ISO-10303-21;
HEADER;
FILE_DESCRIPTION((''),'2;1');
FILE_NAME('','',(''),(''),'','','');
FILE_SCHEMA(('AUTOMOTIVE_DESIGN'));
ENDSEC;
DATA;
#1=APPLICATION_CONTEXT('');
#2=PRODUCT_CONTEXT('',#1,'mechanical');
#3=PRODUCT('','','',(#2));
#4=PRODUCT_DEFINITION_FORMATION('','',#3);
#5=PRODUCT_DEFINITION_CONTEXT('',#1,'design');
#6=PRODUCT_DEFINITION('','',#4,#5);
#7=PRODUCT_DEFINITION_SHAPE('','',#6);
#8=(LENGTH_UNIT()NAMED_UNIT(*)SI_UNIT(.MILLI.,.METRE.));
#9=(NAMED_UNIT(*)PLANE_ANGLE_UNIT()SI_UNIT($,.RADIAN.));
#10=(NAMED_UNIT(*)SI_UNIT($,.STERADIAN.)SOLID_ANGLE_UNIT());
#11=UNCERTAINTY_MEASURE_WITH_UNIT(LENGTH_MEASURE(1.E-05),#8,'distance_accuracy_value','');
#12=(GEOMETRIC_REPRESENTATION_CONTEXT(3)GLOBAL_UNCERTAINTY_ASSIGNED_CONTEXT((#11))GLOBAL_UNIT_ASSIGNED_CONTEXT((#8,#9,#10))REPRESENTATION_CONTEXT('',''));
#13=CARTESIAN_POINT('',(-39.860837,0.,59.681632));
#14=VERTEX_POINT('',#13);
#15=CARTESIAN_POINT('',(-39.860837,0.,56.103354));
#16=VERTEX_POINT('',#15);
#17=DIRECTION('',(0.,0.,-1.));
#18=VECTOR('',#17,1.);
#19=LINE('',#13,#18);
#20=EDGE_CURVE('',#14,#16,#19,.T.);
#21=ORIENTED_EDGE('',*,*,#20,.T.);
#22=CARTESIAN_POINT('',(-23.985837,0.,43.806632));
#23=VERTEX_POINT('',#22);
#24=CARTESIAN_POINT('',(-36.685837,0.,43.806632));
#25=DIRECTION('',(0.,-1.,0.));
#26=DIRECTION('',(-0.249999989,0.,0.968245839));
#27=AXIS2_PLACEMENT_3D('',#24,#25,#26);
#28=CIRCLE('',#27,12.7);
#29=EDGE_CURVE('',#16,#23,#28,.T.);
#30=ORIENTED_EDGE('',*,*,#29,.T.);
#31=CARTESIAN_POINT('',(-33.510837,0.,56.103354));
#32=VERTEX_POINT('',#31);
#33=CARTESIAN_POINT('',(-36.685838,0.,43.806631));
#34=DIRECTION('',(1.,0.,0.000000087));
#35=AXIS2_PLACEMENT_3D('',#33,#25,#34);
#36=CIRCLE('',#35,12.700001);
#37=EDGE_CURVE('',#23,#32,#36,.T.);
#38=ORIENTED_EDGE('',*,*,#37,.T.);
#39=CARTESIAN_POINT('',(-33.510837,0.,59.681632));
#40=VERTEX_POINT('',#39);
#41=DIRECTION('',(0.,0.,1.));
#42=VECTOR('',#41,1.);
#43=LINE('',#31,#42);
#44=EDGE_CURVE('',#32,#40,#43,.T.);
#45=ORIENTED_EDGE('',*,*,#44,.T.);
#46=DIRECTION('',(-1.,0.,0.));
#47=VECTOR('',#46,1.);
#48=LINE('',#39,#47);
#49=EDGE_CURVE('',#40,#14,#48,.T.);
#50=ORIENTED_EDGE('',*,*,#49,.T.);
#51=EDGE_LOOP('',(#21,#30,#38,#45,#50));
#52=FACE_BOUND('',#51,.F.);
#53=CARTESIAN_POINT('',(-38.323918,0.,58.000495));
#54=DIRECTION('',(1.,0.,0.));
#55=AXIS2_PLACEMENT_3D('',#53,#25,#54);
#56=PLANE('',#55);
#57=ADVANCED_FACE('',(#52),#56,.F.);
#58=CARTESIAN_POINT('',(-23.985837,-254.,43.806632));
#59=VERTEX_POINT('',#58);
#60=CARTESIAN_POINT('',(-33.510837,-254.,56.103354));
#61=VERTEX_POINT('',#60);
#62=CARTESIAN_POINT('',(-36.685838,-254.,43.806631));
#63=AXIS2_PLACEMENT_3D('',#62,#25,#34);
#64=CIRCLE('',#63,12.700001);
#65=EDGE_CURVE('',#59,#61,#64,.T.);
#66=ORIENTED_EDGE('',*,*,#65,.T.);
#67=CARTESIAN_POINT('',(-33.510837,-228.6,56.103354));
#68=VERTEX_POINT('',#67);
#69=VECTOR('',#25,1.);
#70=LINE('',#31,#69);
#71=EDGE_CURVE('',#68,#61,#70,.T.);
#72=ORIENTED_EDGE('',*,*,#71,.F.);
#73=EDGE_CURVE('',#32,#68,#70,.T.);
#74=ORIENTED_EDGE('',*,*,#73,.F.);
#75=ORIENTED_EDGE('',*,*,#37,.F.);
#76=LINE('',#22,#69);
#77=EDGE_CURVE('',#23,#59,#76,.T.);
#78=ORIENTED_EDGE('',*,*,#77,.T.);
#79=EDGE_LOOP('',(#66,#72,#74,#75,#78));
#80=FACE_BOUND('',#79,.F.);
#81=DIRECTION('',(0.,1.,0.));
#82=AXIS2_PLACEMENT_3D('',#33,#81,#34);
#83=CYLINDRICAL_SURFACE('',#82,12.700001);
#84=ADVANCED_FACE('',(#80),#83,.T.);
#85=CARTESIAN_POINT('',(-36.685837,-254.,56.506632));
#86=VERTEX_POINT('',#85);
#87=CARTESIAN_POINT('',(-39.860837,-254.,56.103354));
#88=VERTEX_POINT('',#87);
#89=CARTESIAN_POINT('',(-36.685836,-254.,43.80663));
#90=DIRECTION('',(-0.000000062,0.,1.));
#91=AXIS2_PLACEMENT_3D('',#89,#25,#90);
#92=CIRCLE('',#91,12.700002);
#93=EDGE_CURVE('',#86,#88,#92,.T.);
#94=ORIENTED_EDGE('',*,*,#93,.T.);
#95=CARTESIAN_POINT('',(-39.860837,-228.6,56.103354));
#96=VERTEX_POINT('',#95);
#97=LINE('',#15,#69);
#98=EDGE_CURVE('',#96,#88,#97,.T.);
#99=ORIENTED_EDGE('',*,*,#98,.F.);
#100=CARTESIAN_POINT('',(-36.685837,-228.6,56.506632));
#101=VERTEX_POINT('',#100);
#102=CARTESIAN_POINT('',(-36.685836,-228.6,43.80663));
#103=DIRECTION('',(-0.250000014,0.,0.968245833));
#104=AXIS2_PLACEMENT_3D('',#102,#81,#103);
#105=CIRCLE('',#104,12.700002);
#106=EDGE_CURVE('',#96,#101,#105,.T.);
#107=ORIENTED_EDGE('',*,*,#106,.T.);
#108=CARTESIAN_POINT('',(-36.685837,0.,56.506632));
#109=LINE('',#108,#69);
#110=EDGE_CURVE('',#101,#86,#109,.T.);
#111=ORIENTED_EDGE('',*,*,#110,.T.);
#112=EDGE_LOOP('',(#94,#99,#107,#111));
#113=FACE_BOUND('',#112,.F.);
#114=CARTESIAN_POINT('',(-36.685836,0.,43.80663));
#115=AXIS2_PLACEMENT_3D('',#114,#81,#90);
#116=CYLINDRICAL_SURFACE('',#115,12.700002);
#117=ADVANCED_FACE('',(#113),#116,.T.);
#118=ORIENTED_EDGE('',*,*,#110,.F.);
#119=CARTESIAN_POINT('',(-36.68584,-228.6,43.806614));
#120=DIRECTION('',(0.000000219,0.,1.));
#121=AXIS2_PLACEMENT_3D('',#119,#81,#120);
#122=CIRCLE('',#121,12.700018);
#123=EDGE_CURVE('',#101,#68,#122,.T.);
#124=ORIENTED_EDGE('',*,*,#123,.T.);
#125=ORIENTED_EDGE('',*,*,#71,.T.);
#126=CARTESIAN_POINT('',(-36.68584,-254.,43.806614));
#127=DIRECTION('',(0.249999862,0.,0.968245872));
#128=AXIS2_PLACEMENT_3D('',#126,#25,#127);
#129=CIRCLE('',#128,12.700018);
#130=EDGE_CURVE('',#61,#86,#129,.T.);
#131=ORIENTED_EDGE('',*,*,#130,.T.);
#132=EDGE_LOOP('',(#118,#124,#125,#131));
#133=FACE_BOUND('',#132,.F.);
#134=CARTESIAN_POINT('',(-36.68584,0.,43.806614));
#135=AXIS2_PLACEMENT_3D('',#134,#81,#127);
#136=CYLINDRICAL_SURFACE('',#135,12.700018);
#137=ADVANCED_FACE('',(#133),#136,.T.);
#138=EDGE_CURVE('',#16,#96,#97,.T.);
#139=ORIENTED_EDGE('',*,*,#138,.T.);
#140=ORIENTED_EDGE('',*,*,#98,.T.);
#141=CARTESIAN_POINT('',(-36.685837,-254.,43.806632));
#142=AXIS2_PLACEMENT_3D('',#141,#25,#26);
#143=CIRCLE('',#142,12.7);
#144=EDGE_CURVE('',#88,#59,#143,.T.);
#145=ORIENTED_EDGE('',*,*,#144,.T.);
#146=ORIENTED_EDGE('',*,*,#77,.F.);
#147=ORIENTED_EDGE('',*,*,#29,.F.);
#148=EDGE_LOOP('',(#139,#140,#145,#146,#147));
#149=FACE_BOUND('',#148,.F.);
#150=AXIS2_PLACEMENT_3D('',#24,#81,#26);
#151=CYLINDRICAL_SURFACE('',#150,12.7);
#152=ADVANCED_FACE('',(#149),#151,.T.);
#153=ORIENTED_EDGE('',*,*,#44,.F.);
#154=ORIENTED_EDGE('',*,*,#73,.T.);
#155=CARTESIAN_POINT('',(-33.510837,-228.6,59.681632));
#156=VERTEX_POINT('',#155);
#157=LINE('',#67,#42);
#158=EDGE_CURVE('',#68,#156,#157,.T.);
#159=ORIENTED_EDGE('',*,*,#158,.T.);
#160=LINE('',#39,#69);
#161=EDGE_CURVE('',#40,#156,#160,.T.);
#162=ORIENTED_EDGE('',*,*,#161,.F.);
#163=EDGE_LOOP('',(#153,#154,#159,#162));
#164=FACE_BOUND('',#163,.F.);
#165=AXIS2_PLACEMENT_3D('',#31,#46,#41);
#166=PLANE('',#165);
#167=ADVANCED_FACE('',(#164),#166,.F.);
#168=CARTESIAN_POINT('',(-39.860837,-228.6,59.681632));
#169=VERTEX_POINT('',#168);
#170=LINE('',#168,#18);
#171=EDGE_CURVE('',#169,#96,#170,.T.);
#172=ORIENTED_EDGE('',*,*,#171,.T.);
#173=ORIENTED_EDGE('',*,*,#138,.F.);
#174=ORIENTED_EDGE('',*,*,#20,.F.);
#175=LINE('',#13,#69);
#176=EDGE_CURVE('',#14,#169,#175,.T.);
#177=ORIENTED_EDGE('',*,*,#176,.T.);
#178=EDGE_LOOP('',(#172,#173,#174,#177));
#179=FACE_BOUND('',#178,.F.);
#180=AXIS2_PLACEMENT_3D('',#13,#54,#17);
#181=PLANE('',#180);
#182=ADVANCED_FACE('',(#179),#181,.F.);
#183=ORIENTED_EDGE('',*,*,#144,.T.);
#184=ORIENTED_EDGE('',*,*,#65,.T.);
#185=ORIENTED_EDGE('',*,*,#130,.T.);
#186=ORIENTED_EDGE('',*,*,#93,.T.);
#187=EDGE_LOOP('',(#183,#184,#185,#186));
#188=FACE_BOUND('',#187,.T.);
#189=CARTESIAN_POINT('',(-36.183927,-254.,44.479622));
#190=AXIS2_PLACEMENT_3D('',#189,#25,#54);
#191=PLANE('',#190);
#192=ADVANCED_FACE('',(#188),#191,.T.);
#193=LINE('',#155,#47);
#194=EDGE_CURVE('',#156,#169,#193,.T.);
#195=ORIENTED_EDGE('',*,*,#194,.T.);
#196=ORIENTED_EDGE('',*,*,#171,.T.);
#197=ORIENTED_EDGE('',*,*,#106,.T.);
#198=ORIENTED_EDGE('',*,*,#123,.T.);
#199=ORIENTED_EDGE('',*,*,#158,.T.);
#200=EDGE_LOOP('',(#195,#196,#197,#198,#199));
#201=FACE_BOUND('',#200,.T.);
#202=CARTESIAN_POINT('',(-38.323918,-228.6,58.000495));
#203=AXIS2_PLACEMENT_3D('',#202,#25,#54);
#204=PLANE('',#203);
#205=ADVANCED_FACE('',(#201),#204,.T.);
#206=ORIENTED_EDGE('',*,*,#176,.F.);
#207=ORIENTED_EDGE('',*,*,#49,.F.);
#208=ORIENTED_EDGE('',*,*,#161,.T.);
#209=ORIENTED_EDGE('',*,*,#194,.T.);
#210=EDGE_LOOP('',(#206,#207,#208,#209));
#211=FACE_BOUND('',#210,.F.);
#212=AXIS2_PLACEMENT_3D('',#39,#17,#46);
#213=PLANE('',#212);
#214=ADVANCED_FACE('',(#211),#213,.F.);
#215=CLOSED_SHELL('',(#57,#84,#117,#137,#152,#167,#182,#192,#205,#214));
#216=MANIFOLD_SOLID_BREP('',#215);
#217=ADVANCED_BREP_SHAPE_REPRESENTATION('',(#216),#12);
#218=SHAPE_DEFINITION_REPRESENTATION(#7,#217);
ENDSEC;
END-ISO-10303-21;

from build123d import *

# Parameters (mm, degrees)
F1_DEPTH = 254
F2_DEPTH = 228.6


with BuildPart() as f1:
    # F0 (on Front) → F1 (new body)
    with BuildSketch(Plane.XZ):
        with BuildLine():
            ThreePointArc((-39.860837, 56.103354), (-44.462967, 33.7664), (-23.985837, 43.806632))
            ThreePointArc((-23.985837, 43.806632), (-26.645606, 51.583762), (-33.510837, 56.103354))
            ThreePointArc((-33.510837, 56.103354), (-35.085583, 56.405409), (-36.685837, 56.506632))
            ThreePointArc((-36.685837, 56.506632), (-38.286092, 56.405409), (-39.860837, 56.103354))
        make_face()
    extrude(amount=F1_DEPTH)

    # F0 (on Front) → F2 (join)
    with BuildSketch(Plane.XZ):
        with BuildLine():
            Line((-39.860837, 59.681632), (-39.860837, 56.103354))
            ThreePointArc((-39.860837, 56.103354), (-38.286092, 56.405409), (-36.685837, 56.506632))
            Line((-36.685837, 56.506632), (-36.685837, 59.681632))
            Line((-36.685837, 59.681632), (-39.860837, 59.681632))
        make_face()
        with BuildLine():
            ThreePointArc((-36.685837, 56.506632), (-35.085583, 56.405409), (-33.510837, 56.103354))
            Line((-33.510837, 56.103354), (-33.510837, 59.681632))
            Line((-33.510837, 59.681632), (-36.685837, 59.681632))
            Line((-36.685837, 59.681632), (-36.685837, 56.506632))
        make_face()
    extrude(amount=F2_DEPTH)


solid = f1.part
